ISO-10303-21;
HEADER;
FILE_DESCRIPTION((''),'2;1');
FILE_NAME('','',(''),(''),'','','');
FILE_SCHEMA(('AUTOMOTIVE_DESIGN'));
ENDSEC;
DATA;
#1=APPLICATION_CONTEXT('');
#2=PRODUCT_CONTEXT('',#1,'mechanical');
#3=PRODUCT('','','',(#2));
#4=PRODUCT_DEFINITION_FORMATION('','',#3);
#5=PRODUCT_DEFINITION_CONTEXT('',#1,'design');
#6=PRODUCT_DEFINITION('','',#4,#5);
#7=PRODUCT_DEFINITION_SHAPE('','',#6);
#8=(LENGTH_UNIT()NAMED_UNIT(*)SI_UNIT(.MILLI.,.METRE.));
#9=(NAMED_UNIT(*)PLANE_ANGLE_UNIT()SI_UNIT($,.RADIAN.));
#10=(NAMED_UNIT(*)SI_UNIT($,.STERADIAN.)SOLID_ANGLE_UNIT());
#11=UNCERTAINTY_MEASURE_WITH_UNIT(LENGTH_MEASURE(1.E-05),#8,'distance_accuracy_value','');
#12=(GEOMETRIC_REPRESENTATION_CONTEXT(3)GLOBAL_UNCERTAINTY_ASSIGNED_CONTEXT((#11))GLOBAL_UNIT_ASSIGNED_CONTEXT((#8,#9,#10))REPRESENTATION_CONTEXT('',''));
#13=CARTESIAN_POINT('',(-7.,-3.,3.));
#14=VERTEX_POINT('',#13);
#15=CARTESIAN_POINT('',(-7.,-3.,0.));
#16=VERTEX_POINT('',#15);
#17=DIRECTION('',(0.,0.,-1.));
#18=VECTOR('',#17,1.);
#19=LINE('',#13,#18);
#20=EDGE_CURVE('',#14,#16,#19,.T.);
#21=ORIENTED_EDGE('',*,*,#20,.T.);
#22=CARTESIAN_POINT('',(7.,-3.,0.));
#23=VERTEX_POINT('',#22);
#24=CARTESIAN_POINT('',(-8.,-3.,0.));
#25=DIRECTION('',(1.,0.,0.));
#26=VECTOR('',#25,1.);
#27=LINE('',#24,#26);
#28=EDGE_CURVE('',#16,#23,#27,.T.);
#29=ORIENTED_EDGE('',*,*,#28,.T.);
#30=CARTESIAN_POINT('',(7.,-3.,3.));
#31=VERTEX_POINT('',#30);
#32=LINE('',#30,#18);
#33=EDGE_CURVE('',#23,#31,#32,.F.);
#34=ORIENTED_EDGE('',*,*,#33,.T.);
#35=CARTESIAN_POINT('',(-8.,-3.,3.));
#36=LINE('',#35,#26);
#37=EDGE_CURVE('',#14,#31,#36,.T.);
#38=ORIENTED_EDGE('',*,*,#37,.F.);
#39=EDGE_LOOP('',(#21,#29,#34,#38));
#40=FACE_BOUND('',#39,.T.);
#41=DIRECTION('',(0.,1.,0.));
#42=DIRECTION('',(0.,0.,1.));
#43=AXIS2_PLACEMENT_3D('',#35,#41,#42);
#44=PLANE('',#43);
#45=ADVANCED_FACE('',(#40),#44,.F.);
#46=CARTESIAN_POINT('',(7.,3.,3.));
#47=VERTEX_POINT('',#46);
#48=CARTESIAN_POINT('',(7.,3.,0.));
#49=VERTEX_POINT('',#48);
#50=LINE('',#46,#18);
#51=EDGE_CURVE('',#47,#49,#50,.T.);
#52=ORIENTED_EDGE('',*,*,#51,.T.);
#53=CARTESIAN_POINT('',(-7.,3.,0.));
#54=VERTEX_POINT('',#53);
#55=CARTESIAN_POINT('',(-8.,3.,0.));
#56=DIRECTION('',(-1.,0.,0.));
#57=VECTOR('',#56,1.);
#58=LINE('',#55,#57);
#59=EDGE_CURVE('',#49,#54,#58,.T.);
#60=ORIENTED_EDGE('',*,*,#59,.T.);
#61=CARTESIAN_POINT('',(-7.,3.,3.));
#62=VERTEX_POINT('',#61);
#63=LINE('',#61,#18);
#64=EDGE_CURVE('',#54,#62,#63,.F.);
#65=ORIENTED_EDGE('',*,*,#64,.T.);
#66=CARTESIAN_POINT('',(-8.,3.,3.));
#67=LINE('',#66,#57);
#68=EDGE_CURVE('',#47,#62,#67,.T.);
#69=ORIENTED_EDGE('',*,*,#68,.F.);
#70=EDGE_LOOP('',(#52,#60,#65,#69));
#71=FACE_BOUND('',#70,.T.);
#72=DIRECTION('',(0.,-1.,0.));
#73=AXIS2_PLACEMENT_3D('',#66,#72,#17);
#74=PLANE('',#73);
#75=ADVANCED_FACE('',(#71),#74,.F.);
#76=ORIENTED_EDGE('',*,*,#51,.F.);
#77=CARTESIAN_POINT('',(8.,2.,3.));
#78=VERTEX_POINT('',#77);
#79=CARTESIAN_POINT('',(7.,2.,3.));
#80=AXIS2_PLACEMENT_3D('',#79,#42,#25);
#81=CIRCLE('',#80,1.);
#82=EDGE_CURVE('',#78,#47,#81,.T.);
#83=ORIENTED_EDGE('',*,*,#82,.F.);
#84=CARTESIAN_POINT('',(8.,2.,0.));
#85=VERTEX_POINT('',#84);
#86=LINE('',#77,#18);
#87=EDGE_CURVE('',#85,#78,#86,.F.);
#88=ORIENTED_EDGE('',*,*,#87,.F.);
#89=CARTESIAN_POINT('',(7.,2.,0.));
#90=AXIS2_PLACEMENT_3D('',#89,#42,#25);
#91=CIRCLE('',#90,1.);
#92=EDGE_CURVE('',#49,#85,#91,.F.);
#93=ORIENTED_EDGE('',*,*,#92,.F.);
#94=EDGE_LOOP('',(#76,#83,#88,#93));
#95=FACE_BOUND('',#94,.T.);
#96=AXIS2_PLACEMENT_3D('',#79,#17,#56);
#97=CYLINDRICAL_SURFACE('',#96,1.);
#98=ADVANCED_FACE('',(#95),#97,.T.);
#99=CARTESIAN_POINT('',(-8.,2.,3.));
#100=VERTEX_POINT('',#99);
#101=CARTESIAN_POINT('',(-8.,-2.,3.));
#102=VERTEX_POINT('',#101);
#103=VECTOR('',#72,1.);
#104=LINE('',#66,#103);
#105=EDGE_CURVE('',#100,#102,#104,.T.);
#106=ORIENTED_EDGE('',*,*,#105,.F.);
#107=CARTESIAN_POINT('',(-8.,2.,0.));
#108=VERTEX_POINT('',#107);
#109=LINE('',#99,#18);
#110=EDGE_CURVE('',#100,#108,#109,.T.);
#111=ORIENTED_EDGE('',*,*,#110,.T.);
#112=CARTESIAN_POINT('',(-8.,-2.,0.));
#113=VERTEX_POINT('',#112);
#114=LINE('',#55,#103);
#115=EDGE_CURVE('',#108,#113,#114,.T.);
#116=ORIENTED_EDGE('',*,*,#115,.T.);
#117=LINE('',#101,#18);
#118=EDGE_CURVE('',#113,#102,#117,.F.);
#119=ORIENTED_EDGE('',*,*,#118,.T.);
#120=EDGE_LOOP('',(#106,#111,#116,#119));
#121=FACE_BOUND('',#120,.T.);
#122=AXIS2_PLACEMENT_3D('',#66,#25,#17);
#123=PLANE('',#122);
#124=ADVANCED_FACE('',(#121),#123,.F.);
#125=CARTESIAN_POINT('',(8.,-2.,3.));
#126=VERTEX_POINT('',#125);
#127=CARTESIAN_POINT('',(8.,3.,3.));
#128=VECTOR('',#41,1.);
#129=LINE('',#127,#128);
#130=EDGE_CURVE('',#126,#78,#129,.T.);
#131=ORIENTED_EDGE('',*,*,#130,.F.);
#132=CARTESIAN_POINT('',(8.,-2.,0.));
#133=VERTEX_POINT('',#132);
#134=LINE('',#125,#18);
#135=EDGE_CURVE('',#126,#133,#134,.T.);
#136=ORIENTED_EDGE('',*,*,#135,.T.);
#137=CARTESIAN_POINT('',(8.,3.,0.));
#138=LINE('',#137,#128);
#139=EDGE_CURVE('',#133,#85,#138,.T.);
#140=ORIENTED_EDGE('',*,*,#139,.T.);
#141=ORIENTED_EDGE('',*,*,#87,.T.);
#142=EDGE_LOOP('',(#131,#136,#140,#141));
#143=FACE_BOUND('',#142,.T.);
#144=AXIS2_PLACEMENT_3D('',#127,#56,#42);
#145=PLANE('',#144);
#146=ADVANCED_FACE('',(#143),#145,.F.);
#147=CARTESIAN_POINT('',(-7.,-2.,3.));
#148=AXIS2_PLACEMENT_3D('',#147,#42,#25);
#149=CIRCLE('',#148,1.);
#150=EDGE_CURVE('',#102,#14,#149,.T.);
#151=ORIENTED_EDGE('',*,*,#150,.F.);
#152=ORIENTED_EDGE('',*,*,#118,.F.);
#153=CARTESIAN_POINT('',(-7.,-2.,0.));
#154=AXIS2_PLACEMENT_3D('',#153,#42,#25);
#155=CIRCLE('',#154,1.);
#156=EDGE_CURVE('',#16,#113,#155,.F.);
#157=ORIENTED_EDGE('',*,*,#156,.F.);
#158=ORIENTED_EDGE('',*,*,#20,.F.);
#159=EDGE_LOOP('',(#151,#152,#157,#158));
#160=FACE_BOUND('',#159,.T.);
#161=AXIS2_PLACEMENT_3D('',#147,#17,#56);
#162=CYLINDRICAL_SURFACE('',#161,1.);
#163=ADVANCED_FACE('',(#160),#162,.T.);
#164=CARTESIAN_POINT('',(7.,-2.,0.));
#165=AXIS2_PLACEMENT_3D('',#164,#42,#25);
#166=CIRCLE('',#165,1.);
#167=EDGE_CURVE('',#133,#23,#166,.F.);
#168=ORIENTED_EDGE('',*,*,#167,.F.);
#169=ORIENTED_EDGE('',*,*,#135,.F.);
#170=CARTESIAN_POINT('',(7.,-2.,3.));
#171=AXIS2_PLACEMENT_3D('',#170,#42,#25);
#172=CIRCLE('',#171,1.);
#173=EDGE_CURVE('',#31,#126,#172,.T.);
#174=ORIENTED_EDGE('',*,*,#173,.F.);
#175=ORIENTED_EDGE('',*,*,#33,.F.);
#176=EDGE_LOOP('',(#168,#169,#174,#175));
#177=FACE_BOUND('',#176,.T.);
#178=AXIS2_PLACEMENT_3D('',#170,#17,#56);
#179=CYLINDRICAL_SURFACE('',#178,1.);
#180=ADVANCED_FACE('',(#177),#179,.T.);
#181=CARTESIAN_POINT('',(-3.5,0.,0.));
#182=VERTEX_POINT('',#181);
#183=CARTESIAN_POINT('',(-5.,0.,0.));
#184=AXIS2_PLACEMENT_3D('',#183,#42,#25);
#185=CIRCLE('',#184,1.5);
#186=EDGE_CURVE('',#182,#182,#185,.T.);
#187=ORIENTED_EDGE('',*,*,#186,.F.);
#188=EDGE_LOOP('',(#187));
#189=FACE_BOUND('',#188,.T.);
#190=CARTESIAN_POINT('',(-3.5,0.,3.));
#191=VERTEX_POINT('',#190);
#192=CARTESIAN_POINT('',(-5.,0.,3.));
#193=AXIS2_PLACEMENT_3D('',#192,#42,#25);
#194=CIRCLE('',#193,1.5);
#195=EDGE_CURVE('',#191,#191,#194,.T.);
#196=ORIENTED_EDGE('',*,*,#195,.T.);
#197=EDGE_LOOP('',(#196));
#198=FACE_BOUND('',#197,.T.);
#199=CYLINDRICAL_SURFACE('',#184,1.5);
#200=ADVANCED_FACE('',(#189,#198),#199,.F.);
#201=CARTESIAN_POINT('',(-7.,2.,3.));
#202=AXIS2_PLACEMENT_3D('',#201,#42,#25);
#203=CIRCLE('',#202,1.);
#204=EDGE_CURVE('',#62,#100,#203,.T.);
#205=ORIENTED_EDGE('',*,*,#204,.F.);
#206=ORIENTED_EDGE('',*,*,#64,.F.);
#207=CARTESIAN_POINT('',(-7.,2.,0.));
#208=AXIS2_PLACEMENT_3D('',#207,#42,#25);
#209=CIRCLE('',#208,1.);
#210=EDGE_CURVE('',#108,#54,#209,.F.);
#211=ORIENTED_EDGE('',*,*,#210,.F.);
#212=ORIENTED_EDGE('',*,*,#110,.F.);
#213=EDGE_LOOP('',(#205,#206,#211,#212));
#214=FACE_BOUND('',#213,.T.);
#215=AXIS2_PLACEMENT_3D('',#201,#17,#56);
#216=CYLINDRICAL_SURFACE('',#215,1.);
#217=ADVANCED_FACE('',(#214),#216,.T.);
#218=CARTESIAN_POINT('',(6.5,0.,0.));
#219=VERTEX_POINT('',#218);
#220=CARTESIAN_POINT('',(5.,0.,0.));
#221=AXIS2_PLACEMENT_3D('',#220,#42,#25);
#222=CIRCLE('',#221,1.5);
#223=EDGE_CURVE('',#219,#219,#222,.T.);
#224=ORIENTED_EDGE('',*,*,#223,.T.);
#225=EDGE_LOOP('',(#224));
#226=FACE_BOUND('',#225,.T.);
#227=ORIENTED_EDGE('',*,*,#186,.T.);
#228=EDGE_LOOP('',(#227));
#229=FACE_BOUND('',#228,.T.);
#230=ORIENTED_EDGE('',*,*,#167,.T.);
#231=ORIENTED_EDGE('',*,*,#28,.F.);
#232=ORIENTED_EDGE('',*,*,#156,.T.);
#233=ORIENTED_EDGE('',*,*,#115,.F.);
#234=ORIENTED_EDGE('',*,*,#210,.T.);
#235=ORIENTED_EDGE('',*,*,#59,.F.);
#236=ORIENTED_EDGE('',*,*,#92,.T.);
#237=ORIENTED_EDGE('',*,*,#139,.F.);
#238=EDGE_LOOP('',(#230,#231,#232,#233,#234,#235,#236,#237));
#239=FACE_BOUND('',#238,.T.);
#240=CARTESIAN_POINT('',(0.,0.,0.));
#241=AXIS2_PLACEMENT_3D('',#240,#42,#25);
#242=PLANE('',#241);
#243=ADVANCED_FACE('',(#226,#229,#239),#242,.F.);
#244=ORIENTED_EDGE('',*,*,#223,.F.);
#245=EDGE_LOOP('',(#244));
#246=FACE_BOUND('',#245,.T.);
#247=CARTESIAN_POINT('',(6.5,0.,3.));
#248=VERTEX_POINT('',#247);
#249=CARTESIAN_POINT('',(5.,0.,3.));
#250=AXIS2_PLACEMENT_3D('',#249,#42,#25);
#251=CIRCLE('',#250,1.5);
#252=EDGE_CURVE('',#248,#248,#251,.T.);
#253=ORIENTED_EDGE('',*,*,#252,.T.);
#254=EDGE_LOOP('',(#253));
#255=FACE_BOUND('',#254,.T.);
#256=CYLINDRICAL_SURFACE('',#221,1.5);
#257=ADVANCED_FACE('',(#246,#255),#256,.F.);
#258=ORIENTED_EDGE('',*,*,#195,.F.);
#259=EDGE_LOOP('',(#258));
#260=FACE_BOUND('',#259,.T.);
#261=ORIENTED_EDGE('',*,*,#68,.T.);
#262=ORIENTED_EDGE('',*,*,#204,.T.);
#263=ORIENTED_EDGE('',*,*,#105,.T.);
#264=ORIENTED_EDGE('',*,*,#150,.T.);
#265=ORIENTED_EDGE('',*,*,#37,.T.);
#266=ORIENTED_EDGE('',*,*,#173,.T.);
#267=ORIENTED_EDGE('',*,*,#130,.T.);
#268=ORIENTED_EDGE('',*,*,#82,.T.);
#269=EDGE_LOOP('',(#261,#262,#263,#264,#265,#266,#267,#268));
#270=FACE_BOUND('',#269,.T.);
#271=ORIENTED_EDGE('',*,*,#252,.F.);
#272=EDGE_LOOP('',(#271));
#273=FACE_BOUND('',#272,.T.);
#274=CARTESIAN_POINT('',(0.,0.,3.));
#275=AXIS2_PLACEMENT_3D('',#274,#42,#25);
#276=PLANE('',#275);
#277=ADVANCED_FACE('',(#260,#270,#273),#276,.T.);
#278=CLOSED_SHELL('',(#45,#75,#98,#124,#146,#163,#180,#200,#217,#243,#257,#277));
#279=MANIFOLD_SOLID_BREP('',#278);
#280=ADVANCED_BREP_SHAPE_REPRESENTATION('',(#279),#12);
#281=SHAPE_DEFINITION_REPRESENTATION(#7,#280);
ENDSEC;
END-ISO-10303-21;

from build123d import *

# Parameters (mm, degrees)
SKETCH_1_W          = 16
SKETCH_1_H          = 6
EXTRUDE_1_DEPTH     = 3
SKETCH_2_R          = 1.5
CUT_EXTRUDE_1_DEPTH = 10.055385138
FILLET_1_R          = 1


with BuildPart() as part:
    # 草图1 → 凸台-拉伸1 (new body)
    with BuildSketch(Plane.XY):
        Rectangle(SKETCH_1_W, SKETCH_1_H)
    extrude(amount=EXTRUDE_1_DEPTH)

    # 草图2 → 切除-拉伸1 (cut, through all)
    with BuildSketch(Plane.XY.offset(3)):
        with Locations((-5, 0)):
            Circle(SKETCH_2_R)
        with Locations((5, 0)):
            Circle(SKETCH_2_R)
    extrude(amount=-CUT_EXTRUDE_1_DEPTH, mode=Mode.SUBTRACT)

    # 圆角1
    fillet_1_edges = [part.edges().sort_by_distance(p)[0] for p in [
        (8, -3, 1.5),
        (-8, -3, 1.5),
        (-8, 3, 1.5),
        (8, 3, 1.5),
    ]]
    fillet(fillet_1_edges, radius=FILLET_1_R)


solid = part.part
